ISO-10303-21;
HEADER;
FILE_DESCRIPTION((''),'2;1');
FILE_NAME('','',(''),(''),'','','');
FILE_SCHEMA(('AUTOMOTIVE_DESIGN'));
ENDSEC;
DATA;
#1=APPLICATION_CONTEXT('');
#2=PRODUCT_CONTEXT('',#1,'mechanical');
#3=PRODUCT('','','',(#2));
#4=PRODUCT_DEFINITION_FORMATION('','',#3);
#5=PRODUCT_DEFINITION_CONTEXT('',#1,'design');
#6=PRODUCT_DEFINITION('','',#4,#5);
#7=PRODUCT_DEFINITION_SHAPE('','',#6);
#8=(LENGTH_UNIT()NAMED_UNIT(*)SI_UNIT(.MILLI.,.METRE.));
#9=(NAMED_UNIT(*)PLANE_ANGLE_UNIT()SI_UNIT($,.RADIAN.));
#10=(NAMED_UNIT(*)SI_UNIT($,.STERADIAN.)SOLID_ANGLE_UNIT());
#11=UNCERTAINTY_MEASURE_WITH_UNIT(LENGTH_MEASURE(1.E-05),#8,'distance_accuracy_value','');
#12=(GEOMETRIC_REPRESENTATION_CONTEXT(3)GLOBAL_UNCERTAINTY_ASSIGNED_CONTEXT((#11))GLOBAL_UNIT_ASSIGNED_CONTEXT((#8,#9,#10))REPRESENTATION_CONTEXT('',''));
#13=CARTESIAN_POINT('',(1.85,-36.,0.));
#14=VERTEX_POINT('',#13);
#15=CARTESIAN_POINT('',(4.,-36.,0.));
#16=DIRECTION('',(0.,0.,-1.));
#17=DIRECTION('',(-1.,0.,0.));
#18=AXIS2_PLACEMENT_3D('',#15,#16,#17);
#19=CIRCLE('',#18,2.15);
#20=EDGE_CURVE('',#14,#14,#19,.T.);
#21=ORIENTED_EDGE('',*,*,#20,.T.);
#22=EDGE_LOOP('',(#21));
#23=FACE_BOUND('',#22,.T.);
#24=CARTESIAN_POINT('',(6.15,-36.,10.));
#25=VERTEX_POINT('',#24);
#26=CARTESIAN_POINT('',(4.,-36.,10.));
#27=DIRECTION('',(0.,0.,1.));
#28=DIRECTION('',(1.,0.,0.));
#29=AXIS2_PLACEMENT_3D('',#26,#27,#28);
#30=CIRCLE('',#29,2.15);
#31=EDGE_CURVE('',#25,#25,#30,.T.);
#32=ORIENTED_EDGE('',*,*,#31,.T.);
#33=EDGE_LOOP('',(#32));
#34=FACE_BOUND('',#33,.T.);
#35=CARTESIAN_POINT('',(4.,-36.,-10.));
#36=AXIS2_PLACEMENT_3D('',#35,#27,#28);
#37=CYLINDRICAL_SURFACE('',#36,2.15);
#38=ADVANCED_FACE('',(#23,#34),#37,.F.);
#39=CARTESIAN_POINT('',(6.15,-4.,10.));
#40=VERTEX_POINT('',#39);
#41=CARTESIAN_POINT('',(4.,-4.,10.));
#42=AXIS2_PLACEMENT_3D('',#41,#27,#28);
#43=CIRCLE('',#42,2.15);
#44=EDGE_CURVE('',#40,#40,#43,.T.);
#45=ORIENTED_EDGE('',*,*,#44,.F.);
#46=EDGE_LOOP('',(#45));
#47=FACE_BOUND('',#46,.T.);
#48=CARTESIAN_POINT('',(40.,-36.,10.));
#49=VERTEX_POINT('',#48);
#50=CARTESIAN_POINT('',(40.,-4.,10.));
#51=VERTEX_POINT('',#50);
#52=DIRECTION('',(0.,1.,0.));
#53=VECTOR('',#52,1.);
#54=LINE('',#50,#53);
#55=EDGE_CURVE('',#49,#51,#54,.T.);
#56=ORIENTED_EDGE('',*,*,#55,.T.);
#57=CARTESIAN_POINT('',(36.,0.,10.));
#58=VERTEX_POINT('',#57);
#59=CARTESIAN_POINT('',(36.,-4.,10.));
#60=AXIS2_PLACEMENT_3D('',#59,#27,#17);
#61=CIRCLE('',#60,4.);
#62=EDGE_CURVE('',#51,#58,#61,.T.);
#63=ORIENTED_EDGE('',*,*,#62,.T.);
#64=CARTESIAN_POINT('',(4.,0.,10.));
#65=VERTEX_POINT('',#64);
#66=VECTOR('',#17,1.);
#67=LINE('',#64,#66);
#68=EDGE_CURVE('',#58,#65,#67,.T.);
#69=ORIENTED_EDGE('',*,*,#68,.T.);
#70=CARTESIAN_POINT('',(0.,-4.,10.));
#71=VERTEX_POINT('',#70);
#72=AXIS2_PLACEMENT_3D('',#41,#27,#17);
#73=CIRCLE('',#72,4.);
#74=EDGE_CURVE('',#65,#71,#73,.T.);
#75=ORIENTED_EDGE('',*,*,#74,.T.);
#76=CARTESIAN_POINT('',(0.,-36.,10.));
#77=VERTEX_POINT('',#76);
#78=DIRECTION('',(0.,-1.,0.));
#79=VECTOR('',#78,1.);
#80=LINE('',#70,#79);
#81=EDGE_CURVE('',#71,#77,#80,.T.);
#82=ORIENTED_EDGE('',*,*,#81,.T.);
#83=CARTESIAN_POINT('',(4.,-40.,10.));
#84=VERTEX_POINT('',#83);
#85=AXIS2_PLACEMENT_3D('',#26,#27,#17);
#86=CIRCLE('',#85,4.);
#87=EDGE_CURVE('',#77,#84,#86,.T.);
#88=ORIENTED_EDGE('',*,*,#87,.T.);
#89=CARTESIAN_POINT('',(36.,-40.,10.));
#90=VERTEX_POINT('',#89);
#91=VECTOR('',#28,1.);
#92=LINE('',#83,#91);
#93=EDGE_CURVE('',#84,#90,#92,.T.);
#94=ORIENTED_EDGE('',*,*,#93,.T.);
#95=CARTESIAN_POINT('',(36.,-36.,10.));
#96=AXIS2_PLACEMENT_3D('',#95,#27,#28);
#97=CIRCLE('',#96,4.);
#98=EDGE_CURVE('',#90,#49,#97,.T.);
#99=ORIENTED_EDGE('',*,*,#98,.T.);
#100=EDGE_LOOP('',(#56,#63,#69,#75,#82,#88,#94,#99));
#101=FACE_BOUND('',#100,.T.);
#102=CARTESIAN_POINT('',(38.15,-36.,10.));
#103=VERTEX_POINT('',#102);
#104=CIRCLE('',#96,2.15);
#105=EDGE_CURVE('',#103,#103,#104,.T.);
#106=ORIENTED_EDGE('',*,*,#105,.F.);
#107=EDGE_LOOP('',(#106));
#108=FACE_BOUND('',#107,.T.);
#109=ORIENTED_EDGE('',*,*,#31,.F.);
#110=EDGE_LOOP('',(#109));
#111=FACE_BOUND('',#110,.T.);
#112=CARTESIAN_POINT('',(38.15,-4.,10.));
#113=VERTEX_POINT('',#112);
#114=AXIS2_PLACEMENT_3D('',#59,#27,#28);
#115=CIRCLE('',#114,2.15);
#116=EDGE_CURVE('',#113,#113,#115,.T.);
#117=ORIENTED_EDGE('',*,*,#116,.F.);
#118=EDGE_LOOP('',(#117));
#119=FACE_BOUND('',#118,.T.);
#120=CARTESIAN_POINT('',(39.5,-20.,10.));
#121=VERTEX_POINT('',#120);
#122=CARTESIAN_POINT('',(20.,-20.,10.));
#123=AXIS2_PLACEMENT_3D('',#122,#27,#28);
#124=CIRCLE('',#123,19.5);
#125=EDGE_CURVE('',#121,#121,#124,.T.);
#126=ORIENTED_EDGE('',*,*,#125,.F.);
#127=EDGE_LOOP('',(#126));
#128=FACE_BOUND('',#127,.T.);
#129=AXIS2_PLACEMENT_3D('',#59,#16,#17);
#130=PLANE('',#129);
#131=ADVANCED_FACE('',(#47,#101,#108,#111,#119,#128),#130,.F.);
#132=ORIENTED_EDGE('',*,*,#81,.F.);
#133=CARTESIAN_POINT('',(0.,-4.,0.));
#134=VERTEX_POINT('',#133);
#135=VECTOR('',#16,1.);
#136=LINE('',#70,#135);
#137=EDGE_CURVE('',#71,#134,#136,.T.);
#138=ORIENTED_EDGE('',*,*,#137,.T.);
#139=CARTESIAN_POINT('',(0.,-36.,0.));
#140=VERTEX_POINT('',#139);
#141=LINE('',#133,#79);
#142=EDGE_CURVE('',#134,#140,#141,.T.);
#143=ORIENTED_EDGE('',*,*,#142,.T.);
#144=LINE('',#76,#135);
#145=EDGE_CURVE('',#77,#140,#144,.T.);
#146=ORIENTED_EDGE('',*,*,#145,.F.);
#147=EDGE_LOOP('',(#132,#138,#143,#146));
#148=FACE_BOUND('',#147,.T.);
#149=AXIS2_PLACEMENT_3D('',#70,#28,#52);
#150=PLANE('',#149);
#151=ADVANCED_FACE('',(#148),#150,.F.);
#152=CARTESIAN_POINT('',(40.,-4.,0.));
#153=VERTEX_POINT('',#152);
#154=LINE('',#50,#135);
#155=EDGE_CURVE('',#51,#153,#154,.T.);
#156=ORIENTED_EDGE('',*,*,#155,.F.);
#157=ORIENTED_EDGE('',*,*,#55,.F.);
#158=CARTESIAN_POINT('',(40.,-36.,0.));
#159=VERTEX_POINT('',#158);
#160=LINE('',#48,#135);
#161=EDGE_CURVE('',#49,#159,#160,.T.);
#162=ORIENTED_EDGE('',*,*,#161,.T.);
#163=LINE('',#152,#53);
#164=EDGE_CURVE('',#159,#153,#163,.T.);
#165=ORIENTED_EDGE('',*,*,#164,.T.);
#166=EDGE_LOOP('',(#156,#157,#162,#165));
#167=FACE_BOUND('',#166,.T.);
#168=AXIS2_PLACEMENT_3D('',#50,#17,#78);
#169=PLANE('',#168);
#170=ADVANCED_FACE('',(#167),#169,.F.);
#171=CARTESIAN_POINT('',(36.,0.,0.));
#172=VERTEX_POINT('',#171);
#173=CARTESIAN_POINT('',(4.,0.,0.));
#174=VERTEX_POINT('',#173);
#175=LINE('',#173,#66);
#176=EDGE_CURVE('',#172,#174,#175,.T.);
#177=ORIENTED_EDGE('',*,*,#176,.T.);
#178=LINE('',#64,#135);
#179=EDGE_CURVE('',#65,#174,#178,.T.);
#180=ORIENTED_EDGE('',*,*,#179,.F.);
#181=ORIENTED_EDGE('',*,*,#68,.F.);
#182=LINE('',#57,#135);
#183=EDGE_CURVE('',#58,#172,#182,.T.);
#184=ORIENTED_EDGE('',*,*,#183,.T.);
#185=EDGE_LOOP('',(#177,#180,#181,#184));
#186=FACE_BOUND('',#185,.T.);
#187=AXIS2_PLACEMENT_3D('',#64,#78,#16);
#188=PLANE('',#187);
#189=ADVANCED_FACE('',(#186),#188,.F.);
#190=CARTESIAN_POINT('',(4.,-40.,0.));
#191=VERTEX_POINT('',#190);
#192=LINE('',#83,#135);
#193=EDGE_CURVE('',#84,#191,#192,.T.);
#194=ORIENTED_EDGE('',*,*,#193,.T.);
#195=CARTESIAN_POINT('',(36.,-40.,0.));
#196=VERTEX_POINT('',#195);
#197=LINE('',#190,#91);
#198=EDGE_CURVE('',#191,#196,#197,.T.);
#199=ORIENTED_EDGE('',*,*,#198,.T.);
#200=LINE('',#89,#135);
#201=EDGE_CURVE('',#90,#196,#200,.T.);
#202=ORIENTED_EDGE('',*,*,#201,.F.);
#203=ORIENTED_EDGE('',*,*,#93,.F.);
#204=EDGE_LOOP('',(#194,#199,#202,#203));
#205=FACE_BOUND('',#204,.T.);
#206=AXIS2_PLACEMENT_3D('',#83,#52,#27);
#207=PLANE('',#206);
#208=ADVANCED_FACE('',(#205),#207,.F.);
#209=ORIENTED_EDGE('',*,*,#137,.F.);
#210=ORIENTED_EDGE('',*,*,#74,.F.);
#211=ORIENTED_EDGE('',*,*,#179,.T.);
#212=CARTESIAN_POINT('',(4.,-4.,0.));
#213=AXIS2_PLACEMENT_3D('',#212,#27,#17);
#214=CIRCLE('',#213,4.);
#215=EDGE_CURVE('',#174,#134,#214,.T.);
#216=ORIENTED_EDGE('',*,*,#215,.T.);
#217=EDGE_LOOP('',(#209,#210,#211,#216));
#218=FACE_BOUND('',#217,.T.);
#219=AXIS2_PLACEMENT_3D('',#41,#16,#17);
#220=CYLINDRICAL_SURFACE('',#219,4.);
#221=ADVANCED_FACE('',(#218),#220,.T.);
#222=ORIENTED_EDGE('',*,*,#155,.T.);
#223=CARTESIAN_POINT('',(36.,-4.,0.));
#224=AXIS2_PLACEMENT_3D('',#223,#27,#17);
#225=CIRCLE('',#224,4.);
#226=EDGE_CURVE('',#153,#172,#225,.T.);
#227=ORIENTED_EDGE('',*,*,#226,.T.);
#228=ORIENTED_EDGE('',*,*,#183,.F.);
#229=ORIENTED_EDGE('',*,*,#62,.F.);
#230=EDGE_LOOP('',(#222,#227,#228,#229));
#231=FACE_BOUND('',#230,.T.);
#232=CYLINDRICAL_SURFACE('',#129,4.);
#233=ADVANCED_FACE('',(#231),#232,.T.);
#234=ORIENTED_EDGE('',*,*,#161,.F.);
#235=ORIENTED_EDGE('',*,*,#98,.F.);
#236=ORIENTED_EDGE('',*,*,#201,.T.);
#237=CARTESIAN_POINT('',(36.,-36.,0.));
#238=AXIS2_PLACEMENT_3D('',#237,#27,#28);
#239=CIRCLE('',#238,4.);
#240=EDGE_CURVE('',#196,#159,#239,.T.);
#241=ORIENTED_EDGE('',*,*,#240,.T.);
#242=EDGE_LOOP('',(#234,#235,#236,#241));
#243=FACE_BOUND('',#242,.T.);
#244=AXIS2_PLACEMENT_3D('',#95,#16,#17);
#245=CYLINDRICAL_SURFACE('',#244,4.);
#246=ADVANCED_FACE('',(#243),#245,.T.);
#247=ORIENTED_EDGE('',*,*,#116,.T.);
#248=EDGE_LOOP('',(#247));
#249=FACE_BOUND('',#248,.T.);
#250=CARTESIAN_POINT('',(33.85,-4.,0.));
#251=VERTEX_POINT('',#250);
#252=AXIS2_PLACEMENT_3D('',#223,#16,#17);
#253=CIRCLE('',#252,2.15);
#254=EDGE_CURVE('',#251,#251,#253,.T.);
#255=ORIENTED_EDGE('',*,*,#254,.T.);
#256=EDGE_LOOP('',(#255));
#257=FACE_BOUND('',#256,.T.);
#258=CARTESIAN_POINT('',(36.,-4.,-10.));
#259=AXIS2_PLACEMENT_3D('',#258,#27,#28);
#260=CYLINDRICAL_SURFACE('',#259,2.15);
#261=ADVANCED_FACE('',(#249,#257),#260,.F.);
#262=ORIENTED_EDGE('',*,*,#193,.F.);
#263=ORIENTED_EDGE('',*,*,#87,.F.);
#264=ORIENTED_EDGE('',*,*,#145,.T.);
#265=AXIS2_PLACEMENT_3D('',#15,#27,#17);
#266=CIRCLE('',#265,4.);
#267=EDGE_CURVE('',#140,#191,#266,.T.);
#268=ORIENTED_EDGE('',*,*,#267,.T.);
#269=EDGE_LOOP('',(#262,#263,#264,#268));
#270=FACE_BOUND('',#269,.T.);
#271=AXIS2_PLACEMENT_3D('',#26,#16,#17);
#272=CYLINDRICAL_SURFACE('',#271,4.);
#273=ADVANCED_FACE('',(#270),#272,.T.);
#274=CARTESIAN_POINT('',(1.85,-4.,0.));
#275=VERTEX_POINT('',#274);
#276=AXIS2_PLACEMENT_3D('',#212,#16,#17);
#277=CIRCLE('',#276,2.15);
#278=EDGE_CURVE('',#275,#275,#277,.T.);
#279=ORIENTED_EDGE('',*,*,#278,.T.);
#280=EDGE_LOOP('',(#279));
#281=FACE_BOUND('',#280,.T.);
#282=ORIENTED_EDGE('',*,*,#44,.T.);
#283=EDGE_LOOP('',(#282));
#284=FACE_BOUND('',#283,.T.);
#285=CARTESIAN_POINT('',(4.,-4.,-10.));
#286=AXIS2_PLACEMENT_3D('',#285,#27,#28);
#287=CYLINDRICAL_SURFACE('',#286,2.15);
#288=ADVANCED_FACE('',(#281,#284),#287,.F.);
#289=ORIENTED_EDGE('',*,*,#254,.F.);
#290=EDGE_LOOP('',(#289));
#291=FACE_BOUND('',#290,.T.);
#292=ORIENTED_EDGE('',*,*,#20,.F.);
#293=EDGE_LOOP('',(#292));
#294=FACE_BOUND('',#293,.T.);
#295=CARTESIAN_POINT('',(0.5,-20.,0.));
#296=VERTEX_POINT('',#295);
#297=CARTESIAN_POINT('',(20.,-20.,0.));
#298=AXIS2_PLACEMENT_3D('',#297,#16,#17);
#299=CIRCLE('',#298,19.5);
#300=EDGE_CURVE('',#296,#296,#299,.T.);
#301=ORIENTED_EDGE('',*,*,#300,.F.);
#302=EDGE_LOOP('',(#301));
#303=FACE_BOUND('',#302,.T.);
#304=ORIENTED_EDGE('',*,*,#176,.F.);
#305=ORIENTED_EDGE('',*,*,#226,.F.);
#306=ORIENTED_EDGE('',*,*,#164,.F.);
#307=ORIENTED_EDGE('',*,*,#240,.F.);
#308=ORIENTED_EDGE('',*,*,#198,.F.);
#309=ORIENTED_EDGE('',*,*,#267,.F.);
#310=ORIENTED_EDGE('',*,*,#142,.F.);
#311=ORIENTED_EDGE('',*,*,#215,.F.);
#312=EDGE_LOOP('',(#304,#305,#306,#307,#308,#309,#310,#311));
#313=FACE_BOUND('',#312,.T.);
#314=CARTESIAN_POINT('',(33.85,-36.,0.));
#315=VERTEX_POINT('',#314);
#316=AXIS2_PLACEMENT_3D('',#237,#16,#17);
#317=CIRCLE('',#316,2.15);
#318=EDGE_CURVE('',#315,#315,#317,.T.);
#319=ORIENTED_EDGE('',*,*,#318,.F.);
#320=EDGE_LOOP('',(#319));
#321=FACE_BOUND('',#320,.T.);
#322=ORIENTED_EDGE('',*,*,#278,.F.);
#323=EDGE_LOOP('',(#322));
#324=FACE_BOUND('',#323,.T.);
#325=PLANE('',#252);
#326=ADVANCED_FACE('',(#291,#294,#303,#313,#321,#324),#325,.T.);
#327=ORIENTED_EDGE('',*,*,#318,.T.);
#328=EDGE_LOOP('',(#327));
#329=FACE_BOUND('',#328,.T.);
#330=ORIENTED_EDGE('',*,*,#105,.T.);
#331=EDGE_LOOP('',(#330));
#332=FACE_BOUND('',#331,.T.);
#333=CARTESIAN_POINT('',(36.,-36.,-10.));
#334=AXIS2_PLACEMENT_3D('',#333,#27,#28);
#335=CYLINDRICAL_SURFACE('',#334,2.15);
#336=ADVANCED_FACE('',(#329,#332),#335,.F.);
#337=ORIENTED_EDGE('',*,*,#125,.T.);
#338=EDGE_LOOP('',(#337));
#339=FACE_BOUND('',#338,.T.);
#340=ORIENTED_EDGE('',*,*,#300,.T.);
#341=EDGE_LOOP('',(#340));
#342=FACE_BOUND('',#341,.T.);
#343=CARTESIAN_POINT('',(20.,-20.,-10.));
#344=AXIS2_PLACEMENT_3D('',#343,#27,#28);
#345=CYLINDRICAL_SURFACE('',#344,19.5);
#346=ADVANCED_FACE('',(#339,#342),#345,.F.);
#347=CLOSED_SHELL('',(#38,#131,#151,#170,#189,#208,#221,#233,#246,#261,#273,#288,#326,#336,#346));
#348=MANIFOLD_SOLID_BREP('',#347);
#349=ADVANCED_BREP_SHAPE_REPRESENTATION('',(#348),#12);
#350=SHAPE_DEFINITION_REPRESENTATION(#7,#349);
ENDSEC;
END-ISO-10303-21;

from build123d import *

# Parameters (mm, degrees)
EXTRUDE1_DEPTH     = 10
SKETCH2_R          = 19.5
CUT_EXTRUDE1_DEPTH = 20
SKETCH4_R          = 2.15
CUT_EXTRUDE2_DEPTH = 20


with BuildPart() as part:
    # Sketch1 → Extrude1 (new body)
    with BuildSketch(Plane.XY):
        with BuildLine():
            Line((4, 0), (36, 0))
            ThreePointArc((36, 0), (38.828427125, -1.171572875), (40, -4))
            Line((40, -4), (40, -36))
            ThreePointArc((40, -36), (38.828427125, -38.828427125), (36, -40))
            Line((36, -40), (4, -40))
            ThreePointArc((4, -40), (1.171572875, -38.828427125), (0, -36))
            Line((0, -36), (0, -4))
            ThreePointArc((0, -4), (1.171572875, -1.171572875), (4, 0))
        make_face()
    extrude(amount=EXTRUDE1_DEPTH)

    # Sketch2 → Cut-Extrude1 (cut)
    with BuildSketch(Plane.XY.offset(10)):
        with Locations((20, -20)):
            Circle(SKETCH2_R)
    extrude(amount=-CUT_EXTRUDE1_DEPTH, mode=Mode.SUBTRACT)

    # Sketch4 → Cut-Extrude2 (cut)
    with BuildSketch(Plane.XY.offset(10)):
        with Locations((36, -4)):
            Circle(SKETCH4_R)
        with Locations((4, -4)):
            Circle(SKETCH4_R)
        with Locations((4, -36)):
            Circle(SKETCH4_R)
        with Locations((36, -36)):
            Circle(SKETCH4_R)
    extrude(amount=-CUT_EXTRUDE2_DEPTH, mode=Mode.SUBTRACT)


solid = part.part
